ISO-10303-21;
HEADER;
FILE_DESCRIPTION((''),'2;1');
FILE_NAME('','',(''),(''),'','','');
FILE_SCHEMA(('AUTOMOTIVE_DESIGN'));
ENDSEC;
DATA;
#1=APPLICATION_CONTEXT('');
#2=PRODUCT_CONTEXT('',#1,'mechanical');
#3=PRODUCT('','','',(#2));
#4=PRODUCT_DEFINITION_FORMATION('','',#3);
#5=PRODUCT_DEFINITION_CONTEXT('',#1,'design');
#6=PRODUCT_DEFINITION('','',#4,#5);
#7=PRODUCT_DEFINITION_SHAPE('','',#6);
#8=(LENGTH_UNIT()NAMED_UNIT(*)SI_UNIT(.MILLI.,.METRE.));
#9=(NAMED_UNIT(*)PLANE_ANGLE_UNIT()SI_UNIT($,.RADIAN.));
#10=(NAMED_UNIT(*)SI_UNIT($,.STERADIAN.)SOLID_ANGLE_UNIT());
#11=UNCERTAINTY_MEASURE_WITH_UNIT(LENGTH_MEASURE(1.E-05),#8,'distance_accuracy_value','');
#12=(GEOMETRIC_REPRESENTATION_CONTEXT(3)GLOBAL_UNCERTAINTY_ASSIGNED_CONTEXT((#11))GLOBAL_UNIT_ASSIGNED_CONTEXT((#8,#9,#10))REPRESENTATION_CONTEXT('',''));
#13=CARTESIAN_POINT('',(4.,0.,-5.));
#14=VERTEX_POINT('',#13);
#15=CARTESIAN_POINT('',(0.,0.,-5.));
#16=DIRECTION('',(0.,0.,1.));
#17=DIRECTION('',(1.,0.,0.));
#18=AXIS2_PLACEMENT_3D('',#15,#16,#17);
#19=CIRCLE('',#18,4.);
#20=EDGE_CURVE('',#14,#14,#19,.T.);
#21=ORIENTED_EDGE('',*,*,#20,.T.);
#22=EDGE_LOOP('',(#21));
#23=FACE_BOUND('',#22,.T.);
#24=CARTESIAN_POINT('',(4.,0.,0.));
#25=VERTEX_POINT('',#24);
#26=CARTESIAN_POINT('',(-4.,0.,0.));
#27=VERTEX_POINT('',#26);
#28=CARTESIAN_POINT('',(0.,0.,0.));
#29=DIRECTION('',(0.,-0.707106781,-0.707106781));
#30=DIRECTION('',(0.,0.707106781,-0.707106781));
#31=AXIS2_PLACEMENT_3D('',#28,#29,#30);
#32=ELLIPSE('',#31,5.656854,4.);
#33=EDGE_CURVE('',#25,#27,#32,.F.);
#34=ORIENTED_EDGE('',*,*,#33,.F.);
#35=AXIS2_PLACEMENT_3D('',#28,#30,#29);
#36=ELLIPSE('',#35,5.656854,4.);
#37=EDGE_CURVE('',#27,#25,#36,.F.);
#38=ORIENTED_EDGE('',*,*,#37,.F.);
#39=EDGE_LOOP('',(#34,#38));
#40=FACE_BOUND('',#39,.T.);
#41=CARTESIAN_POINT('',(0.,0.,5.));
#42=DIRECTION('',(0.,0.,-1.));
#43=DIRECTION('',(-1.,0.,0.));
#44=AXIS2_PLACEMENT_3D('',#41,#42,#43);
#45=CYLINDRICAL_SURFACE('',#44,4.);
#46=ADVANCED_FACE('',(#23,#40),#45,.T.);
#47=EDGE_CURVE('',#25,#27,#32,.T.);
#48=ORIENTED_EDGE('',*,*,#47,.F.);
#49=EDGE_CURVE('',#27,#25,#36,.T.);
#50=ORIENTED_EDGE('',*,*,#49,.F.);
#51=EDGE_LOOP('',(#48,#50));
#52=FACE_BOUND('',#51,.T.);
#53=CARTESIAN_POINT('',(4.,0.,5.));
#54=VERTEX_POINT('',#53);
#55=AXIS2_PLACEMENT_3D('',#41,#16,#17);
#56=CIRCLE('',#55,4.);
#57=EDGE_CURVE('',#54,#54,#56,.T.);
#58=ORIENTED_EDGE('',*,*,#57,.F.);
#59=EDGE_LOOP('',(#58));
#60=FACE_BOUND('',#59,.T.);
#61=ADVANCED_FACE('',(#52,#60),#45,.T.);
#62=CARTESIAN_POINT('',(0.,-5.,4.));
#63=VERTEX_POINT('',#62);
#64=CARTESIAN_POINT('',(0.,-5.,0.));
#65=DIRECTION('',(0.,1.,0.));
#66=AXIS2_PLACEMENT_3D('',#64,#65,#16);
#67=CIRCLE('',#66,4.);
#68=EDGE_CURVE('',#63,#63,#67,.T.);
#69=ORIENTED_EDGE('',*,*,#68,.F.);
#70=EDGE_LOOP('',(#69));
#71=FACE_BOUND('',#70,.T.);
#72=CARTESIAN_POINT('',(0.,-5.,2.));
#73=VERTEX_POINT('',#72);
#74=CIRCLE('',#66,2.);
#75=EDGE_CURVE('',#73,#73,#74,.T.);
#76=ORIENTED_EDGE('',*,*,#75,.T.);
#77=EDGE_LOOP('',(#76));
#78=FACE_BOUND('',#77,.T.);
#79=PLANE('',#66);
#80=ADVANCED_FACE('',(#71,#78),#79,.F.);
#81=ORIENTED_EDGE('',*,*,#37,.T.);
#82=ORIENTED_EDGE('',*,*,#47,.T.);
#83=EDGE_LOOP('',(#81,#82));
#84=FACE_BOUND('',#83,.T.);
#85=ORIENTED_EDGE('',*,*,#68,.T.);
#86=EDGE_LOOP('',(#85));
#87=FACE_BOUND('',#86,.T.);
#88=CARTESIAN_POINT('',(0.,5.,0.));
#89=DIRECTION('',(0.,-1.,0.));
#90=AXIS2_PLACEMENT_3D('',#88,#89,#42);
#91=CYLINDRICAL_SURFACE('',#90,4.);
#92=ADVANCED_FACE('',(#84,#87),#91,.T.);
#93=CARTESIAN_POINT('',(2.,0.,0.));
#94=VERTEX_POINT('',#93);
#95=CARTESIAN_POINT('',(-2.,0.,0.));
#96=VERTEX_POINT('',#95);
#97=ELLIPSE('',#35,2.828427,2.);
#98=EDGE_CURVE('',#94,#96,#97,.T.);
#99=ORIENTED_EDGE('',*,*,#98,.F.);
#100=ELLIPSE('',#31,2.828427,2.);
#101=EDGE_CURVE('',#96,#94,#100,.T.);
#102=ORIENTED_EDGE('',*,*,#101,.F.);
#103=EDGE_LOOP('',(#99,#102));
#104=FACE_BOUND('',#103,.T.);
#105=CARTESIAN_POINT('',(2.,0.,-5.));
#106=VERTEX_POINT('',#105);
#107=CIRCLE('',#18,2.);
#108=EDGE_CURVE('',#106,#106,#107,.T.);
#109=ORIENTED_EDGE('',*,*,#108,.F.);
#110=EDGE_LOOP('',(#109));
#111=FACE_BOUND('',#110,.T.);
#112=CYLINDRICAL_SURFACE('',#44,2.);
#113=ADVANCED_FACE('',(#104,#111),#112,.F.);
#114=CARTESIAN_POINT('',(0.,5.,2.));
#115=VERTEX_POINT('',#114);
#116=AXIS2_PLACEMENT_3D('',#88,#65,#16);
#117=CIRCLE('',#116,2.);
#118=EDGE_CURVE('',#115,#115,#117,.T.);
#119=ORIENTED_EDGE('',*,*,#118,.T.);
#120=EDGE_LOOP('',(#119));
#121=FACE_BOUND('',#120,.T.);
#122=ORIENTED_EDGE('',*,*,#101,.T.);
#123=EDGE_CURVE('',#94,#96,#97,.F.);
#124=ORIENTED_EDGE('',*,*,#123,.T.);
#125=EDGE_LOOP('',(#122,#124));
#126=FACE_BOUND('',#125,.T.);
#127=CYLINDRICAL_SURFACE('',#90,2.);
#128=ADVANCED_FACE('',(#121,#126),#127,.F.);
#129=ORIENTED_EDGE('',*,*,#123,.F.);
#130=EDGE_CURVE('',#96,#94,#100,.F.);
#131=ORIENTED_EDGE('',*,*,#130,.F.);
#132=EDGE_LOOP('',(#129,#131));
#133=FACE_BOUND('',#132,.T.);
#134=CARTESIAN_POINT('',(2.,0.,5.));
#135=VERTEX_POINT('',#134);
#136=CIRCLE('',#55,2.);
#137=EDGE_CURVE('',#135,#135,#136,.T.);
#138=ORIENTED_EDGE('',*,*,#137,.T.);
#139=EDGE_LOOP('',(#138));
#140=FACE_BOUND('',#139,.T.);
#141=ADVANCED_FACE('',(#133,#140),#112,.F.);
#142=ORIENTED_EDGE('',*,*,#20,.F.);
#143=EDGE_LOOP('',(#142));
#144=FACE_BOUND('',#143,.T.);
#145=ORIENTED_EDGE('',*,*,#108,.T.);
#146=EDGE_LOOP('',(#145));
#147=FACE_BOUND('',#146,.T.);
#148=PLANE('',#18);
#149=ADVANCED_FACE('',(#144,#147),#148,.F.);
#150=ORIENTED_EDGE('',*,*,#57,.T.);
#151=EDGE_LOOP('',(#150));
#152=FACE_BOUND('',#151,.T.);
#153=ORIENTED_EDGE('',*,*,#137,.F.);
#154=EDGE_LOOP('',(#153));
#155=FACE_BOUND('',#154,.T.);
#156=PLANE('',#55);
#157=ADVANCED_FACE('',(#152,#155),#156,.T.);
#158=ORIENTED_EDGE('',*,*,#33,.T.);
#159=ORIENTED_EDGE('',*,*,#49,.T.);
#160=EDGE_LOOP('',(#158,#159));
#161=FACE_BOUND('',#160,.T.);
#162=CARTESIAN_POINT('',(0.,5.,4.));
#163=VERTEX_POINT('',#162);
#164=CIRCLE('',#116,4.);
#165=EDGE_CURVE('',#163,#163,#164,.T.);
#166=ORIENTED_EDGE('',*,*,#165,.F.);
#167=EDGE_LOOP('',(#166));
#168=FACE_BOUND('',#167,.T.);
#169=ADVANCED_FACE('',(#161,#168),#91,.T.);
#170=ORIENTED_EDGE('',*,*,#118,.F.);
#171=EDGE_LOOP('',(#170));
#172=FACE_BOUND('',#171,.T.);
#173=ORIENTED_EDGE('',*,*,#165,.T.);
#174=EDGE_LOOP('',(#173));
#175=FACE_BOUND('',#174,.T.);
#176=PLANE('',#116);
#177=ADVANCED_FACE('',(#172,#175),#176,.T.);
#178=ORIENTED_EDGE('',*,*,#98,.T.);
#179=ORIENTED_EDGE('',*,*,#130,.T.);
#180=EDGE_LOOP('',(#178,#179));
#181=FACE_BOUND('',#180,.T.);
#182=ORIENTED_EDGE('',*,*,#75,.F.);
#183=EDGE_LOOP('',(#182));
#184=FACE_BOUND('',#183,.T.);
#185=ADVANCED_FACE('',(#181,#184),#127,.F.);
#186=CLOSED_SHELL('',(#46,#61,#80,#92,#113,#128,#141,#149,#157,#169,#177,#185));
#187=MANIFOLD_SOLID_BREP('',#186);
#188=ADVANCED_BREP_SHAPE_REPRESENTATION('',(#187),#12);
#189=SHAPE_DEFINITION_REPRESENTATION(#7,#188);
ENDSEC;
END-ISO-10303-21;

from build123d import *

# Parameters (mm, degrees)
SKETCH1_R               = 4
SKETCH1_R_2             = 2
BOSS_EXTRUDE1_DEPTH     = 5
SKETCH2_R               = 4
SKETCH2_R_2             = 2
BOSS_EXTRUDE2_DEPTH     = 5
CUT_EXTRUDE1_DEPTH      = 9.124038528
CUT_EXTRUDE1_DEPTH_BACK = 9.124038528
SKETCH1_2_R             = 2
CUT_EXTRUDE2_DEPTH      = 9.124038528
CUT_EXTRUDE2_DEPTH_BACK = 9.124038528
SKETCH2_2_R             = 2


with BuildPart() as part:
    # Sketch1 → Boss-Extrude1 (new, symmetric)
    with BuildSketch(Plane.XY):
        Circle(SKETCH1_R)
        Circle(SKETCH1_R_2, mode=Mode.SUBTRACT)
    extrude(amount=BOSS_EXTRUDE1_DEPTH, both=True)

    # Sketch2 → Boss-Extrude2 (add, symmetric)
    with BuildSketch(Plane(origin=(0, 0, 0), x_dir=(1, 0, 0), z_dir=(0, 1, 0))):
        Circle(SKETCH2_R)
        Circle(SKETCH2_R_2, mode=Mode.SUBTRACT)
    extrude(amount=BOSS_EXTRUDE2_DEPTH, both=True)

    # Sketch1<2> → Cut-Extrude1 (cut, two sides: drawn at the far end of the back side and taken through both)
    with BuildSketch(Plane.XY.offset(-CUT_EXTRUDE1_DEPTH_BACK)):
        Circle(SKETCH1_2_R)
    extrude(amount=CUT_EXTRUDE1_DEPTH + CUT_EXTRUDE1_DEPTH_BACK, mode=Mode.SUBTRACT)

    # Sketch2<2> → Cut-Extrude2 (cut, two sides: drawn at the far end of the back side and taken through both)
    with BuildSketch(Plane(origin=(0, 0, 0), x_dir=(1, 0, 0), z_dir=(0, 1, 0)).offset(-CUT_EXTRUDE2_DEPTH_BACK)):
        Circle(SKETCH2_2_R)
    extrude(amount=CUT_EXTRUDE2_DEPTH + CUT_EXTRUDE2_DEPTH_BACK, mode=Mode.SUBTRACT)


solid = part.part
